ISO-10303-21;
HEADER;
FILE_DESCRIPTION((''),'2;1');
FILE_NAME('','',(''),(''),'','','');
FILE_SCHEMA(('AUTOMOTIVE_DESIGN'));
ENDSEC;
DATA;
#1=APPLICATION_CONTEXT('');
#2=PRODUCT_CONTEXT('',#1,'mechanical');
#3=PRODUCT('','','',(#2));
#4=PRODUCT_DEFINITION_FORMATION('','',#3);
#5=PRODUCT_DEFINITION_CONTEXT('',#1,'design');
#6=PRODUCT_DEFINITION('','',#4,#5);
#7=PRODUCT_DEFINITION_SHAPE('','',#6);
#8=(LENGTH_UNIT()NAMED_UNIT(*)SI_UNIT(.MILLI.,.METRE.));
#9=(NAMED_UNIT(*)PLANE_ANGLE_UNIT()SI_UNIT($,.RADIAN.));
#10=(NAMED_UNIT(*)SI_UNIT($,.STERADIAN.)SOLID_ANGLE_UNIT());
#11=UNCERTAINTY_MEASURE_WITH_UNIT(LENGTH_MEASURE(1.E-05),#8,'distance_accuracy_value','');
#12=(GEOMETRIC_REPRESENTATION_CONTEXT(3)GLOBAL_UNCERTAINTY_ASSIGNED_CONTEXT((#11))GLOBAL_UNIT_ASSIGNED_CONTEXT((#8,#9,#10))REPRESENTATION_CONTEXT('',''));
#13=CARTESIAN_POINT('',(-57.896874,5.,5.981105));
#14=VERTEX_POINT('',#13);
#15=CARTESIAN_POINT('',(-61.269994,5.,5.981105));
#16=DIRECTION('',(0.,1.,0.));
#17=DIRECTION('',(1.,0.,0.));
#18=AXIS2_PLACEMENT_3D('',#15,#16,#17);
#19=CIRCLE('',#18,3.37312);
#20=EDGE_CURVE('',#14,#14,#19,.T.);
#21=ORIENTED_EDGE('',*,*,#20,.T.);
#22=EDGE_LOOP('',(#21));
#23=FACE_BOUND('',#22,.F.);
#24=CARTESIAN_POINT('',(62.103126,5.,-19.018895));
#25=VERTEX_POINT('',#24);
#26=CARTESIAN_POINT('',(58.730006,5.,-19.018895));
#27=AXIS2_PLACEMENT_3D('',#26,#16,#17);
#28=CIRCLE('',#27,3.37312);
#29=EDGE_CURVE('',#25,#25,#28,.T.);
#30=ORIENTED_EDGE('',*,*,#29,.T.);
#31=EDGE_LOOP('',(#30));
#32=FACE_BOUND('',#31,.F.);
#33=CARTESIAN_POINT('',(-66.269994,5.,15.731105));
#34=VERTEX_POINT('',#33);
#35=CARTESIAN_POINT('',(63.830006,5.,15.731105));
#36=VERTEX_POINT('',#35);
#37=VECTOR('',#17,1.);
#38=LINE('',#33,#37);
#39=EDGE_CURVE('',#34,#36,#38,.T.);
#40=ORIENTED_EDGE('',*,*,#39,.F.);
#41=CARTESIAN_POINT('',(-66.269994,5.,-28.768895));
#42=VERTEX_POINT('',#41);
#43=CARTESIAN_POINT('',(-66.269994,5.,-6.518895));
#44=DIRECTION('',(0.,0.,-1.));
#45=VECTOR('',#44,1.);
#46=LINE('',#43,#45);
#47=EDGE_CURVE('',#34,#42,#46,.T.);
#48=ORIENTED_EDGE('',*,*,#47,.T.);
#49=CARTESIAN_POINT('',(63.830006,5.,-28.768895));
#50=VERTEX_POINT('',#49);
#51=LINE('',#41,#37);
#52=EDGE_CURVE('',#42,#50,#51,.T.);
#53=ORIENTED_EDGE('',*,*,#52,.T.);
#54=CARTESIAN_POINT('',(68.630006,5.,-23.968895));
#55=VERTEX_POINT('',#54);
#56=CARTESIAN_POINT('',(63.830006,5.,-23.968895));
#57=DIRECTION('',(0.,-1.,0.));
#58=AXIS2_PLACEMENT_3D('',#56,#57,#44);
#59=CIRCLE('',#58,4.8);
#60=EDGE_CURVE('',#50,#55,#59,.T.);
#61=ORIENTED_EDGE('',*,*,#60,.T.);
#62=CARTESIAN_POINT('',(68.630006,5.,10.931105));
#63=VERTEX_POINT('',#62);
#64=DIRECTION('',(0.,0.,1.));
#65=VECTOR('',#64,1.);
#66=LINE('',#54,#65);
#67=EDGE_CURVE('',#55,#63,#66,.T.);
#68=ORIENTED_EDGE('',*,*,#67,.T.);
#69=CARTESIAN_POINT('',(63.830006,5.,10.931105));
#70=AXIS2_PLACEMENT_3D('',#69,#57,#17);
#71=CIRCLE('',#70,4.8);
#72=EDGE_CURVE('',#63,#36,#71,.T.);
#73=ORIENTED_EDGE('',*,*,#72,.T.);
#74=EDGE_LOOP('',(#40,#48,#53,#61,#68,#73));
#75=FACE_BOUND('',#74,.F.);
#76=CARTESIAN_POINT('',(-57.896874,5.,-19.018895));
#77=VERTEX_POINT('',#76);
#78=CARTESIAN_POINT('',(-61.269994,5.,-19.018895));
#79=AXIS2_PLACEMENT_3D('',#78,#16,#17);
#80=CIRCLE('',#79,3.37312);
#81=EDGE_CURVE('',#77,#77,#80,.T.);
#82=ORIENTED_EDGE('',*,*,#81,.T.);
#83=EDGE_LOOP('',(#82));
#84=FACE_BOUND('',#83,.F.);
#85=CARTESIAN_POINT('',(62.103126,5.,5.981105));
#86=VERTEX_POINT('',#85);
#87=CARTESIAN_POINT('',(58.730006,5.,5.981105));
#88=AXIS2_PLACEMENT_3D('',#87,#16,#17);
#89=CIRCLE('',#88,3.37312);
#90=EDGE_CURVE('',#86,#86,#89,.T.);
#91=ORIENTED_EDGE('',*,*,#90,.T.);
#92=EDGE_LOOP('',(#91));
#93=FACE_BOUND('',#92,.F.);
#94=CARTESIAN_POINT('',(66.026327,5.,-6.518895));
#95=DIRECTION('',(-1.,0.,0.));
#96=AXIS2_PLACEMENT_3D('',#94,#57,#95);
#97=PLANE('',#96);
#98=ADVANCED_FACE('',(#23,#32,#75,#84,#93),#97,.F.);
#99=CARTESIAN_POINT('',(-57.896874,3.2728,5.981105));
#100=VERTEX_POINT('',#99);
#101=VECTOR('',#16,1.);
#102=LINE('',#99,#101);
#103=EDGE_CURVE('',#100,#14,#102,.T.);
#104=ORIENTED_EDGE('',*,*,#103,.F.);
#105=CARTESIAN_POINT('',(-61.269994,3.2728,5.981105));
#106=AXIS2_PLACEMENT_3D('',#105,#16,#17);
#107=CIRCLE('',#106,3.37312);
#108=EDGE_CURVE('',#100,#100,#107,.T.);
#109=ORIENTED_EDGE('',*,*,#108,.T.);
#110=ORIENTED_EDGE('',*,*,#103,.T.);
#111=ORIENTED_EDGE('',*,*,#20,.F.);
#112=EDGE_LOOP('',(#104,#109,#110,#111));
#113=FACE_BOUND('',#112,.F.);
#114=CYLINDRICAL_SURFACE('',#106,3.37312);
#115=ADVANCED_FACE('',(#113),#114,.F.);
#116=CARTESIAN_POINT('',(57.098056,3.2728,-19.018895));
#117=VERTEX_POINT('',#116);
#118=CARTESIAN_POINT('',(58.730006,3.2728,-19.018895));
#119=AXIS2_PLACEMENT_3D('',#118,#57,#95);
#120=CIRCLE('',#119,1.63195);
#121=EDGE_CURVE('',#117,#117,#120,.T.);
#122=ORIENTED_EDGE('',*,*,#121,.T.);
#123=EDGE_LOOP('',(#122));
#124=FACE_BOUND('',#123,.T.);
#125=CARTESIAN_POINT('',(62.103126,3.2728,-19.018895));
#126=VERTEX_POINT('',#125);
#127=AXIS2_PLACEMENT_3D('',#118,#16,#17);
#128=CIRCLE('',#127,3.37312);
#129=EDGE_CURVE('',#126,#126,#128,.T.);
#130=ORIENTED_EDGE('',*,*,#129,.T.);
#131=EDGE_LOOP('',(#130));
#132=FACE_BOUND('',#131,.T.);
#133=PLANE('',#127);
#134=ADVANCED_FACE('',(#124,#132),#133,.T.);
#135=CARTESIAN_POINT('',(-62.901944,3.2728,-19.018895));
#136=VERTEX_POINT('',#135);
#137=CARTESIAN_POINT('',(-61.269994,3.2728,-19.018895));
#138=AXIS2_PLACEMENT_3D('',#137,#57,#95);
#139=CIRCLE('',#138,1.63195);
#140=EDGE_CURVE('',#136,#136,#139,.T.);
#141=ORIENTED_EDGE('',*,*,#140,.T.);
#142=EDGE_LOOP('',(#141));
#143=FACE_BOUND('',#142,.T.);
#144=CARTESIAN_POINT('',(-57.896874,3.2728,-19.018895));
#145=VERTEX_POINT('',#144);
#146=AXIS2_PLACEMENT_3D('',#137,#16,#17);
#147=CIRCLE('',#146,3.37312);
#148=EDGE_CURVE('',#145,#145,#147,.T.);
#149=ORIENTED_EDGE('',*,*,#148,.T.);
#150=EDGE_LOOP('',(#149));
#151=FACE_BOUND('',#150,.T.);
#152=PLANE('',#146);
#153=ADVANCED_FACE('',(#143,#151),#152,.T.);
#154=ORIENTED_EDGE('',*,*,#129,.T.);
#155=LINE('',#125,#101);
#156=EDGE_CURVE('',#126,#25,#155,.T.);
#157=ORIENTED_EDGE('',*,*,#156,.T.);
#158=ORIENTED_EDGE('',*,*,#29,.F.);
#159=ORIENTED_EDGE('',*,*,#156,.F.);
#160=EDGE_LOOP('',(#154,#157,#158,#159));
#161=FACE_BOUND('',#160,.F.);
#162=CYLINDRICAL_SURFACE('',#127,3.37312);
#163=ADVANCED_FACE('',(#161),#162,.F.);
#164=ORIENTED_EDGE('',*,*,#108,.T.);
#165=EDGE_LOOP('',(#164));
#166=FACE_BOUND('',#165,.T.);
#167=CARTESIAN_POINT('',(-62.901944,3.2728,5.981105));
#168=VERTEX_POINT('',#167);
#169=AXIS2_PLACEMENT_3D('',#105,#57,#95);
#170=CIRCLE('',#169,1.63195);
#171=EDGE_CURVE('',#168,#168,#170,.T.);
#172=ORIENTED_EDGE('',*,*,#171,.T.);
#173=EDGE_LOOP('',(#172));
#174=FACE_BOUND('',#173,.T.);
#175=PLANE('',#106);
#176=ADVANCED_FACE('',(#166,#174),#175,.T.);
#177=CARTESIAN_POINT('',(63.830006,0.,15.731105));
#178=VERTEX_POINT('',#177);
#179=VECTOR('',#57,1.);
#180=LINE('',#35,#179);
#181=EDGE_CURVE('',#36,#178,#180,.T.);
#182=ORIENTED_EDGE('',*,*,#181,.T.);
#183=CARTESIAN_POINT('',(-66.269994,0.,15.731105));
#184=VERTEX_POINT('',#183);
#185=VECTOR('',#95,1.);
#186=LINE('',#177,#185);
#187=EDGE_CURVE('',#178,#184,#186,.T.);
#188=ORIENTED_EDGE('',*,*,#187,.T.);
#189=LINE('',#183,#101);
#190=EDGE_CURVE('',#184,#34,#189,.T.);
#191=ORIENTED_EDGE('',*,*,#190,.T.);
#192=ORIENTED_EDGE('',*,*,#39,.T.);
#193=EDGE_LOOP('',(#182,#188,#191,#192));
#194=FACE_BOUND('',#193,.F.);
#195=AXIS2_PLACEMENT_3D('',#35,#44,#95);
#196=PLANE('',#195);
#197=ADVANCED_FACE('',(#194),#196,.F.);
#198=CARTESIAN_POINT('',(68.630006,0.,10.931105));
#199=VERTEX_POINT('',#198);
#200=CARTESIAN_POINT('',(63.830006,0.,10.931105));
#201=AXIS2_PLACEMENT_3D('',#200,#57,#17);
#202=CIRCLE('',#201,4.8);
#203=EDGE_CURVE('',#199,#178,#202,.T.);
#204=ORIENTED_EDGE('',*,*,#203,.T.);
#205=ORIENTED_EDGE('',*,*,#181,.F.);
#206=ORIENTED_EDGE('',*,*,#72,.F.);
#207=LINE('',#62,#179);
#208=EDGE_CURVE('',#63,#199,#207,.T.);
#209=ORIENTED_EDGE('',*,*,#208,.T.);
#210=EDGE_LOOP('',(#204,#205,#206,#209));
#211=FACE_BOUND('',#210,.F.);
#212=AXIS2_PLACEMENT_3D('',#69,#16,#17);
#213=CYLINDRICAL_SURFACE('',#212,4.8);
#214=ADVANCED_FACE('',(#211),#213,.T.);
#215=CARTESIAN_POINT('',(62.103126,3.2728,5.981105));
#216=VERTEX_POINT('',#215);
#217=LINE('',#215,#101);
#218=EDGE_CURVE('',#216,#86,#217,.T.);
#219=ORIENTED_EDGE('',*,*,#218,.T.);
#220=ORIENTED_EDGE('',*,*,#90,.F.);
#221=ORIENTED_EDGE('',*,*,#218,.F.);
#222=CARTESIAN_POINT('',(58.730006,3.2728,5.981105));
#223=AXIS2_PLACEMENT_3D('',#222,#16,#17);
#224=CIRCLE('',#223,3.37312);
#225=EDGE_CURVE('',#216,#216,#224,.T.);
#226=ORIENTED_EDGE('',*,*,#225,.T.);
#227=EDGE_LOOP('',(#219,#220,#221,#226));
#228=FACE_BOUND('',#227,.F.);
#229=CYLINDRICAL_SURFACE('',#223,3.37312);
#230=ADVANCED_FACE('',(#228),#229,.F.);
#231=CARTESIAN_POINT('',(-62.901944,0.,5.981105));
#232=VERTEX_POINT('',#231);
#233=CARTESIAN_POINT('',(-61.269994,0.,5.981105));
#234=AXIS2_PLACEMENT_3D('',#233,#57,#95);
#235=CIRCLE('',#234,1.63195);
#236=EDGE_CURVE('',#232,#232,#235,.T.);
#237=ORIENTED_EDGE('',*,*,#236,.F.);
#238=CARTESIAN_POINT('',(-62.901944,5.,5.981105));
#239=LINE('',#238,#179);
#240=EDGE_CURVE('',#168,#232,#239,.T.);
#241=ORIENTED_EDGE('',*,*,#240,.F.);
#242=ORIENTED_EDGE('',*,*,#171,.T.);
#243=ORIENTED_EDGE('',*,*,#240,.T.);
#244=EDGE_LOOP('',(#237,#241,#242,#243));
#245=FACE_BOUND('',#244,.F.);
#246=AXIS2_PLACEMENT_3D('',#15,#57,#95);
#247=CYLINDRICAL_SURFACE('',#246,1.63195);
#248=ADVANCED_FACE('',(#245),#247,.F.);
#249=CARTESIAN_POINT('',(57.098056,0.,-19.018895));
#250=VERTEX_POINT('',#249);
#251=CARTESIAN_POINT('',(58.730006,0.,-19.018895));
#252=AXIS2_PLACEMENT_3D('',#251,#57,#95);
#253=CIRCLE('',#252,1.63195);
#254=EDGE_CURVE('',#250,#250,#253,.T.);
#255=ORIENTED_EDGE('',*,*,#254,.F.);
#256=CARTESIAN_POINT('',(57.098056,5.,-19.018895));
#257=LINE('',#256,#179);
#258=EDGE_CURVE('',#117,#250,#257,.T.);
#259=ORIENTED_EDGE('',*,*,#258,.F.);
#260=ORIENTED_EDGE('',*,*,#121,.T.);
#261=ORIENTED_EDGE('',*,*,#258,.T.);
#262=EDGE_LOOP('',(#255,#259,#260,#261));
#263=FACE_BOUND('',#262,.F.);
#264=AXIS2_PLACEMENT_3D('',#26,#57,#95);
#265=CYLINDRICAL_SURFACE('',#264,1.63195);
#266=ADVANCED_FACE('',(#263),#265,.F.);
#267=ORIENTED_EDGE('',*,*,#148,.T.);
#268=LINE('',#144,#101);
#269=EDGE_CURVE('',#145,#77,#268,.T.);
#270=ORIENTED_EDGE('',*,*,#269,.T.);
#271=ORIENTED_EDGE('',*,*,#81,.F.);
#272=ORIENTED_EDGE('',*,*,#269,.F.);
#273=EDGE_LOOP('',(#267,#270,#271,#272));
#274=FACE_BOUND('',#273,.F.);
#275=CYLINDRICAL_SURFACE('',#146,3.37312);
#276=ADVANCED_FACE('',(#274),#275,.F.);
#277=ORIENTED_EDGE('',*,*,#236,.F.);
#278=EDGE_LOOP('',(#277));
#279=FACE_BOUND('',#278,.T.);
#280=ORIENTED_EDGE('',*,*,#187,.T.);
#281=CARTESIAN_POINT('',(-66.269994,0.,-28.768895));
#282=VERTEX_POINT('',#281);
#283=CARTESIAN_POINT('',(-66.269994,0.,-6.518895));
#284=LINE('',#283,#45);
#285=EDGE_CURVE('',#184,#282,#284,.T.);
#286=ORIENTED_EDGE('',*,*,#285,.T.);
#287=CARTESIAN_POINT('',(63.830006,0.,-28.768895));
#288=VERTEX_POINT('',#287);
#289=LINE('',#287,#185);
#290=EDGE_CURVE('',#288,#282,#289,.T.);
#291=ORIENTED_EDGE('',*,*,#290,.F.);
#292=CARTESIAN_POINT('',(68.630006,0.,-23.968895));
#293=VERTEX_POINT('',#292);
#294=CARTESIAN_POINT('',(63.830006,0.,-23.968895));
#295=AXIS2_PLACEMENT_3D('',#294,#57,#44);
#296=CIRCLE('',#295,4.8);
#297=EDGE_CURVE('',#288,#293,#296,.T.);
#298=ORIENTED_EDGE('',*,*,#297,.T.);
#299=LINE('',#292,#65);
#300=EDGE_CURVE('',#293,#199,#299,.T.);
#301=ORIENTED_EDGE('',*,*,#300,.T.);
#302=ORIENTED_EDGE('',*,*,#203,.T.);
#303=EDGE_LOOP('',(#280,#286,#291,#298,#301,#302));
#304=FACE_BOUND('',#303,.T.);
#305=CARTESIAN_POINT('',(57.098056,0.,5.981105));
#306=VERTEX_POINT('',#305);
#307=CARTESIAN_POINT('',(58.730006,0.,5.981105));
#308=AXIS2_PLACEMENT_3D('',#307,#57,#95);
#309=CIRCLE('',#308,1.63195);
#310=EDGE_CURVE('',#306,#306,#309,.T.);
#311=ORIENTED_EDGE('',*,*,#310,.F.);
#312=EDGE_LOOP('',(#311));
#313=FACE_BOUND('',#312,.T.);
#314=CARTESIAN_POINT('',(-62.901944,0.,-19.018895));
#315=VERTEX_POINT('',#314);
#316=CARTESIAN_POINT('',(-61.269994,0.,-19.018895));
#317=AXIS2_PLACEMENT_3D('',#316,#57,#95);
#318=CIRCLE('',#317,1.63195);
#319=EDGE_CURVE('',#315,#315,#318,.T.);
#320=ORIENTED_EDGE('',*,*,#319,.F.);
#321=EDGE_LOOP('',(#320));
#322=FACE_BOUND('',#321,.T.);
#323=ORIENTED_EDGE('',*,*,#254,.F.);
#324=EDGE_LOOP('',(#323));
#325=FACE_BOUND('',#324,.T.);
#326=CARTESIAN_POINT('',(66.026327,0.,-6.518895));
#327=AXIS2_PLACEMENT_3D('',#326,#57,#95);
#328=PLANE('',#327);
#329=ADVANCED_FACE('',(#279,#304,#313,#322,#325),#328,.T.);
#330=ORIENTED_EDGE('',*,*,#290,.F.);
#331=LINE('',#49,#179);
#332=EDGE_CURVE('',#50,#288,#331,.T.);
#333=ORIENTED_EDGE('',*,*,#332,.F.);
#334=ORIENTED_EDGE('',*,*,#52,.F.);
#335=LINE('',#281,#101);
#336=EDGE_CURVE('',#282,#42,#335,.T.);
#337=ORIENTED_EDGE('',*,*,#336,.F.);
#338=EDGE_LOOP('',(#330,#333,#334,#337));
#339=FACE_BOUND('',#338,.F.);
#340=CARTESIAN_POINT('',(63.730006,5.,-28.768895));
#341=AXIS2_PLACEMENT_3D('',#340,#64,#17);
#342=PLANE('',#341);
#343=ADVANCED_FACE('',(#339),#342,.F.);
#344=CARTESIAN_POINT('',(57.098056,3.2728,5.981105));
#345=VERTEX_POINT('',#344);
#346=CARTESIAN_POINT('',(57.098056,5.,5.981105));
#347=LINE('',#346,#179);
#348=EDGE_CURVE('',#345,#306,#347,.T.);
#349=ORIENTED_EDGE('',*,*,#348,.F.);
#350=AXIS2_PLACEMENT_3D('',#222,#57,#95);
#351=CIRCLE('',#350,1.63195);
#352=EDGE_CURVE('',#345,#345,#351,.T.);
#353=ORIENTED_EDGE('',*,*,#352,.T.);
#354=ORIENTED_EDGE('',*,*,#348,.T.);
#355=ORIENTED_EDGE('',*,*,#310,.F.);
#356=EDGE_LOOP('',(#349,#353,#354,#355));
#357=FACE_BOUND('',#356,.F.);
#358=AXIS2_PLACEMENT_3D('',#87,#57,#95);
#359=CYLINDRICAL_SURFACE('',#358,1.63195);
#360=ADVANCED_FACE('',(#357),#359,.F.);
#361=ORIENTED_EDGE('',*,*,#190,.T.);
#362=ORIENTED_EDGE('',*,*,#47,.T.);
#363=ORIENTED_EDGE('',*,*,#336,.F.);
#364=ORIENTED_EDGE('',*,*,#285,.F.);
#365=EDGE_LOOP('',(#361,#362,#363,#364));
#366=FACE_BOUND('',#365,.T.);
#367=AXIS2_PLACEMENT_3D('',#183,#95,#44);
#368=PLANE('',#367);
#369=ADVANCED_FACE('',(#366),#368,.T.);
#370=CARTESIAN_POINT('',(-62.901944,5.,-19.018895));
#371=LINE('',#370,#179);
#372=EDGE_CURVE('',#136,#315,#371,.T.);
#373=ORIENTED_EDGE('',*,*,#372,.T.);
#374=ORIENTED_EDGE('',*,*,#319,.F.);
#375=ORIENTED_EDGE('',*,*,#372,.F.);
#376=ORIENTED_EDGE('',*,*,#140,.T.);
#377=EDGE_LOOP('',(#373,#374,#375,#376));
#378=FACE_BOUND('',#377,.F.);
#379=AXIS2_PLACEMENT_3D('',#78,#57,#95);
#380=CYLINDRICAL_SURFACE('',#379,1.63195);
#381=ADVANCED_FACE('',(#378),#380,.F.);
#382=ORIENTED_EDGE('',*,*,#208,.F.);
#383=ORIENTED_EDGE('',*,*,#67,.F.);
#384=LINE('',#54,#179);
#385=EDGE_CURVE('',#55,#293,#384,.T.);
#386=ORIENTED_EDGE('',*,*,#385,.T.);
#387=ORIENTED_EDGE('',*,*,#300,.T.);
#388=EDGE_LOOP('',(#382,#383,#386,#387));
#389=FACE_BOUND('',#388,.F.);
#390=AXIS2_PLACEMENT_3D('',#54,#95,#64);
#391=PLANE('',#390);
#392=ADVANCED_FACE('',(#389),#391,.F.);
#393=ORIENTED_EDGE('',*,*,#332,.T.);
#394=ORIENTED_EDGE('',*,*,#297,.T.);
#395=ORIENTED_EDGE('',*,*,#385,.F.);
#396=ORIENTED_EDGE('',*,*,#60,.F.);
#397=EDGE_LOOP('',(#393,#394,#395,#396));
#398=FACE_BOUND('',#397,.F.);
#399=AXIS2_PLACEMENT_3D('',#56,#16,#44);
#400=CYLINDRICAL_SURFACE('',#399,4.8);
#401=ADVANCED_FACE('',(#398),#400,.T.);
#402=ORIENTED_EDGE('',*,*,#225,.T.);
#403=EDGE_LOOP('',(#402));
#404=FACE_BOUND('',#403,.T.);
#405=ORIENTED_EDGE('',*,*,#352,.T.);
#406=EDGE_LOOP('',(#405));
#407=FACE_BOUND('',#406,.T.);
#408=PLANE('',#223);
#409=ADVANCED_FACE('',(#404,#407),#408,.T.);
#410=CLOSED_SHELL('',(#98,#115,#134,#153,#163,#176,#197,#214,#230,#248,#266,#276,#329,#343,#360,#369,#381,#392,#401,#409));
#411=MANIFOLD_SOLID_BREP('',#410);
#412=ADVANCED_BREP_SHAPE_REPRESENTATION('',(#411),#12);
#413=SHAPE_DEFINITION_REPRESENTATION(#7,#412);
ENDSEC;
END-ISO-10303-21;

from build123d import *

# Parameters (mm, degrees)
SKETCH1_W                                           = 130
SKETCH1_H                                           = 44.5
BOSS_EXTRUDE1_DEPTH                                 = 5
CBORE_FOR_4_BINDING_HEAD_MACHINE_SCREW1_D           = 3.2639
CBORE_FOR_4_BINDING_HEAD_MACHINE_SCREW1_DEPTH       = 5
CBORE_FOR_4_BINDING_HEAD_MACHINE_SCREW1_CBORE_D     = 6.74624
CBORE_FOR_4_BINDING_HEAD_MACHINE_SCREW1_CBORE_DEPTH = 1.7272
BOSS_EXTRUDE2_DEPTH                                 = 5


with BuildPart() as part:
    # Sketch1 → Boss-Extrude1 (new body)
    with BuildSketch(Plane(origin=(0, 0, 0), x_dir=(1, 0, 0), z_dir=(0, 1, 0))):
        with Locations((-1.26999387, 6.518895388)):
            Rectangle(SKETCH1_W, SKETCH1_H)
    extrude(amount=BOSS_EXTRUDE1_DEPTH)

    # CBORE for #4 Binding Head Machine Screw1
    with Locations(Plane(origin=(0, 5, 0), x_dir=(1, 0, 0), z_dir=(0, 1, 0))):
        with Locations((-61.26999387, 19.018895388), (-61.26999387, -5.981104612), (58.73000613, -5.981104612), (58.73000613, 19.018895388)):
            CounterBoreHole(CBORE_FOR_4_BINDING_HEAD_MACHINE_SCREW1_D / 2, CBORE_FOR_4_BINDING_HEAD_MACHINE_SCREW1_CBORE_D / 2, CBORE_FOR_4_BINDING_HEAD_MACHINE_SCREW1_CBORE_DEPTH, depth=CBORE_FOR_4_BINDING_HEAD_MACHINE_SCREW1_DEPTH)

    # Sketch6 → Boss-Extrude2 (add)
    with BuildSketch(Plane(origin=(0, 5, 0), x_dir=(1, 0, 0), z_dir=(0, 1, 0))):
        with BuildLine():
            Line((63.73000613, 28.768895388), (63.83000613, 28.768895388))
            ThreePointArc((63.83000613, 28.768895388), (67.22411868, 27.363007938), (68.63000613, 23.968895388))
            Line((68.63000613, 23.968895388), (68.63000613, -10.931104612))
            ThreePointArc((68.63000613, -10.931104612), (67.22411868, -14.325217161), (63.83000613, -15.731104612))
            Line((63.83000613, -15.731104612), (63.73000613, -15.731104612))
            Line((63.73000613, -15.731104612), (63.73000613, 28.768895388))
        make_face()
    extrude(amount=-BOSS_EXTRUDE2_DEPTH)


solid = part.part
